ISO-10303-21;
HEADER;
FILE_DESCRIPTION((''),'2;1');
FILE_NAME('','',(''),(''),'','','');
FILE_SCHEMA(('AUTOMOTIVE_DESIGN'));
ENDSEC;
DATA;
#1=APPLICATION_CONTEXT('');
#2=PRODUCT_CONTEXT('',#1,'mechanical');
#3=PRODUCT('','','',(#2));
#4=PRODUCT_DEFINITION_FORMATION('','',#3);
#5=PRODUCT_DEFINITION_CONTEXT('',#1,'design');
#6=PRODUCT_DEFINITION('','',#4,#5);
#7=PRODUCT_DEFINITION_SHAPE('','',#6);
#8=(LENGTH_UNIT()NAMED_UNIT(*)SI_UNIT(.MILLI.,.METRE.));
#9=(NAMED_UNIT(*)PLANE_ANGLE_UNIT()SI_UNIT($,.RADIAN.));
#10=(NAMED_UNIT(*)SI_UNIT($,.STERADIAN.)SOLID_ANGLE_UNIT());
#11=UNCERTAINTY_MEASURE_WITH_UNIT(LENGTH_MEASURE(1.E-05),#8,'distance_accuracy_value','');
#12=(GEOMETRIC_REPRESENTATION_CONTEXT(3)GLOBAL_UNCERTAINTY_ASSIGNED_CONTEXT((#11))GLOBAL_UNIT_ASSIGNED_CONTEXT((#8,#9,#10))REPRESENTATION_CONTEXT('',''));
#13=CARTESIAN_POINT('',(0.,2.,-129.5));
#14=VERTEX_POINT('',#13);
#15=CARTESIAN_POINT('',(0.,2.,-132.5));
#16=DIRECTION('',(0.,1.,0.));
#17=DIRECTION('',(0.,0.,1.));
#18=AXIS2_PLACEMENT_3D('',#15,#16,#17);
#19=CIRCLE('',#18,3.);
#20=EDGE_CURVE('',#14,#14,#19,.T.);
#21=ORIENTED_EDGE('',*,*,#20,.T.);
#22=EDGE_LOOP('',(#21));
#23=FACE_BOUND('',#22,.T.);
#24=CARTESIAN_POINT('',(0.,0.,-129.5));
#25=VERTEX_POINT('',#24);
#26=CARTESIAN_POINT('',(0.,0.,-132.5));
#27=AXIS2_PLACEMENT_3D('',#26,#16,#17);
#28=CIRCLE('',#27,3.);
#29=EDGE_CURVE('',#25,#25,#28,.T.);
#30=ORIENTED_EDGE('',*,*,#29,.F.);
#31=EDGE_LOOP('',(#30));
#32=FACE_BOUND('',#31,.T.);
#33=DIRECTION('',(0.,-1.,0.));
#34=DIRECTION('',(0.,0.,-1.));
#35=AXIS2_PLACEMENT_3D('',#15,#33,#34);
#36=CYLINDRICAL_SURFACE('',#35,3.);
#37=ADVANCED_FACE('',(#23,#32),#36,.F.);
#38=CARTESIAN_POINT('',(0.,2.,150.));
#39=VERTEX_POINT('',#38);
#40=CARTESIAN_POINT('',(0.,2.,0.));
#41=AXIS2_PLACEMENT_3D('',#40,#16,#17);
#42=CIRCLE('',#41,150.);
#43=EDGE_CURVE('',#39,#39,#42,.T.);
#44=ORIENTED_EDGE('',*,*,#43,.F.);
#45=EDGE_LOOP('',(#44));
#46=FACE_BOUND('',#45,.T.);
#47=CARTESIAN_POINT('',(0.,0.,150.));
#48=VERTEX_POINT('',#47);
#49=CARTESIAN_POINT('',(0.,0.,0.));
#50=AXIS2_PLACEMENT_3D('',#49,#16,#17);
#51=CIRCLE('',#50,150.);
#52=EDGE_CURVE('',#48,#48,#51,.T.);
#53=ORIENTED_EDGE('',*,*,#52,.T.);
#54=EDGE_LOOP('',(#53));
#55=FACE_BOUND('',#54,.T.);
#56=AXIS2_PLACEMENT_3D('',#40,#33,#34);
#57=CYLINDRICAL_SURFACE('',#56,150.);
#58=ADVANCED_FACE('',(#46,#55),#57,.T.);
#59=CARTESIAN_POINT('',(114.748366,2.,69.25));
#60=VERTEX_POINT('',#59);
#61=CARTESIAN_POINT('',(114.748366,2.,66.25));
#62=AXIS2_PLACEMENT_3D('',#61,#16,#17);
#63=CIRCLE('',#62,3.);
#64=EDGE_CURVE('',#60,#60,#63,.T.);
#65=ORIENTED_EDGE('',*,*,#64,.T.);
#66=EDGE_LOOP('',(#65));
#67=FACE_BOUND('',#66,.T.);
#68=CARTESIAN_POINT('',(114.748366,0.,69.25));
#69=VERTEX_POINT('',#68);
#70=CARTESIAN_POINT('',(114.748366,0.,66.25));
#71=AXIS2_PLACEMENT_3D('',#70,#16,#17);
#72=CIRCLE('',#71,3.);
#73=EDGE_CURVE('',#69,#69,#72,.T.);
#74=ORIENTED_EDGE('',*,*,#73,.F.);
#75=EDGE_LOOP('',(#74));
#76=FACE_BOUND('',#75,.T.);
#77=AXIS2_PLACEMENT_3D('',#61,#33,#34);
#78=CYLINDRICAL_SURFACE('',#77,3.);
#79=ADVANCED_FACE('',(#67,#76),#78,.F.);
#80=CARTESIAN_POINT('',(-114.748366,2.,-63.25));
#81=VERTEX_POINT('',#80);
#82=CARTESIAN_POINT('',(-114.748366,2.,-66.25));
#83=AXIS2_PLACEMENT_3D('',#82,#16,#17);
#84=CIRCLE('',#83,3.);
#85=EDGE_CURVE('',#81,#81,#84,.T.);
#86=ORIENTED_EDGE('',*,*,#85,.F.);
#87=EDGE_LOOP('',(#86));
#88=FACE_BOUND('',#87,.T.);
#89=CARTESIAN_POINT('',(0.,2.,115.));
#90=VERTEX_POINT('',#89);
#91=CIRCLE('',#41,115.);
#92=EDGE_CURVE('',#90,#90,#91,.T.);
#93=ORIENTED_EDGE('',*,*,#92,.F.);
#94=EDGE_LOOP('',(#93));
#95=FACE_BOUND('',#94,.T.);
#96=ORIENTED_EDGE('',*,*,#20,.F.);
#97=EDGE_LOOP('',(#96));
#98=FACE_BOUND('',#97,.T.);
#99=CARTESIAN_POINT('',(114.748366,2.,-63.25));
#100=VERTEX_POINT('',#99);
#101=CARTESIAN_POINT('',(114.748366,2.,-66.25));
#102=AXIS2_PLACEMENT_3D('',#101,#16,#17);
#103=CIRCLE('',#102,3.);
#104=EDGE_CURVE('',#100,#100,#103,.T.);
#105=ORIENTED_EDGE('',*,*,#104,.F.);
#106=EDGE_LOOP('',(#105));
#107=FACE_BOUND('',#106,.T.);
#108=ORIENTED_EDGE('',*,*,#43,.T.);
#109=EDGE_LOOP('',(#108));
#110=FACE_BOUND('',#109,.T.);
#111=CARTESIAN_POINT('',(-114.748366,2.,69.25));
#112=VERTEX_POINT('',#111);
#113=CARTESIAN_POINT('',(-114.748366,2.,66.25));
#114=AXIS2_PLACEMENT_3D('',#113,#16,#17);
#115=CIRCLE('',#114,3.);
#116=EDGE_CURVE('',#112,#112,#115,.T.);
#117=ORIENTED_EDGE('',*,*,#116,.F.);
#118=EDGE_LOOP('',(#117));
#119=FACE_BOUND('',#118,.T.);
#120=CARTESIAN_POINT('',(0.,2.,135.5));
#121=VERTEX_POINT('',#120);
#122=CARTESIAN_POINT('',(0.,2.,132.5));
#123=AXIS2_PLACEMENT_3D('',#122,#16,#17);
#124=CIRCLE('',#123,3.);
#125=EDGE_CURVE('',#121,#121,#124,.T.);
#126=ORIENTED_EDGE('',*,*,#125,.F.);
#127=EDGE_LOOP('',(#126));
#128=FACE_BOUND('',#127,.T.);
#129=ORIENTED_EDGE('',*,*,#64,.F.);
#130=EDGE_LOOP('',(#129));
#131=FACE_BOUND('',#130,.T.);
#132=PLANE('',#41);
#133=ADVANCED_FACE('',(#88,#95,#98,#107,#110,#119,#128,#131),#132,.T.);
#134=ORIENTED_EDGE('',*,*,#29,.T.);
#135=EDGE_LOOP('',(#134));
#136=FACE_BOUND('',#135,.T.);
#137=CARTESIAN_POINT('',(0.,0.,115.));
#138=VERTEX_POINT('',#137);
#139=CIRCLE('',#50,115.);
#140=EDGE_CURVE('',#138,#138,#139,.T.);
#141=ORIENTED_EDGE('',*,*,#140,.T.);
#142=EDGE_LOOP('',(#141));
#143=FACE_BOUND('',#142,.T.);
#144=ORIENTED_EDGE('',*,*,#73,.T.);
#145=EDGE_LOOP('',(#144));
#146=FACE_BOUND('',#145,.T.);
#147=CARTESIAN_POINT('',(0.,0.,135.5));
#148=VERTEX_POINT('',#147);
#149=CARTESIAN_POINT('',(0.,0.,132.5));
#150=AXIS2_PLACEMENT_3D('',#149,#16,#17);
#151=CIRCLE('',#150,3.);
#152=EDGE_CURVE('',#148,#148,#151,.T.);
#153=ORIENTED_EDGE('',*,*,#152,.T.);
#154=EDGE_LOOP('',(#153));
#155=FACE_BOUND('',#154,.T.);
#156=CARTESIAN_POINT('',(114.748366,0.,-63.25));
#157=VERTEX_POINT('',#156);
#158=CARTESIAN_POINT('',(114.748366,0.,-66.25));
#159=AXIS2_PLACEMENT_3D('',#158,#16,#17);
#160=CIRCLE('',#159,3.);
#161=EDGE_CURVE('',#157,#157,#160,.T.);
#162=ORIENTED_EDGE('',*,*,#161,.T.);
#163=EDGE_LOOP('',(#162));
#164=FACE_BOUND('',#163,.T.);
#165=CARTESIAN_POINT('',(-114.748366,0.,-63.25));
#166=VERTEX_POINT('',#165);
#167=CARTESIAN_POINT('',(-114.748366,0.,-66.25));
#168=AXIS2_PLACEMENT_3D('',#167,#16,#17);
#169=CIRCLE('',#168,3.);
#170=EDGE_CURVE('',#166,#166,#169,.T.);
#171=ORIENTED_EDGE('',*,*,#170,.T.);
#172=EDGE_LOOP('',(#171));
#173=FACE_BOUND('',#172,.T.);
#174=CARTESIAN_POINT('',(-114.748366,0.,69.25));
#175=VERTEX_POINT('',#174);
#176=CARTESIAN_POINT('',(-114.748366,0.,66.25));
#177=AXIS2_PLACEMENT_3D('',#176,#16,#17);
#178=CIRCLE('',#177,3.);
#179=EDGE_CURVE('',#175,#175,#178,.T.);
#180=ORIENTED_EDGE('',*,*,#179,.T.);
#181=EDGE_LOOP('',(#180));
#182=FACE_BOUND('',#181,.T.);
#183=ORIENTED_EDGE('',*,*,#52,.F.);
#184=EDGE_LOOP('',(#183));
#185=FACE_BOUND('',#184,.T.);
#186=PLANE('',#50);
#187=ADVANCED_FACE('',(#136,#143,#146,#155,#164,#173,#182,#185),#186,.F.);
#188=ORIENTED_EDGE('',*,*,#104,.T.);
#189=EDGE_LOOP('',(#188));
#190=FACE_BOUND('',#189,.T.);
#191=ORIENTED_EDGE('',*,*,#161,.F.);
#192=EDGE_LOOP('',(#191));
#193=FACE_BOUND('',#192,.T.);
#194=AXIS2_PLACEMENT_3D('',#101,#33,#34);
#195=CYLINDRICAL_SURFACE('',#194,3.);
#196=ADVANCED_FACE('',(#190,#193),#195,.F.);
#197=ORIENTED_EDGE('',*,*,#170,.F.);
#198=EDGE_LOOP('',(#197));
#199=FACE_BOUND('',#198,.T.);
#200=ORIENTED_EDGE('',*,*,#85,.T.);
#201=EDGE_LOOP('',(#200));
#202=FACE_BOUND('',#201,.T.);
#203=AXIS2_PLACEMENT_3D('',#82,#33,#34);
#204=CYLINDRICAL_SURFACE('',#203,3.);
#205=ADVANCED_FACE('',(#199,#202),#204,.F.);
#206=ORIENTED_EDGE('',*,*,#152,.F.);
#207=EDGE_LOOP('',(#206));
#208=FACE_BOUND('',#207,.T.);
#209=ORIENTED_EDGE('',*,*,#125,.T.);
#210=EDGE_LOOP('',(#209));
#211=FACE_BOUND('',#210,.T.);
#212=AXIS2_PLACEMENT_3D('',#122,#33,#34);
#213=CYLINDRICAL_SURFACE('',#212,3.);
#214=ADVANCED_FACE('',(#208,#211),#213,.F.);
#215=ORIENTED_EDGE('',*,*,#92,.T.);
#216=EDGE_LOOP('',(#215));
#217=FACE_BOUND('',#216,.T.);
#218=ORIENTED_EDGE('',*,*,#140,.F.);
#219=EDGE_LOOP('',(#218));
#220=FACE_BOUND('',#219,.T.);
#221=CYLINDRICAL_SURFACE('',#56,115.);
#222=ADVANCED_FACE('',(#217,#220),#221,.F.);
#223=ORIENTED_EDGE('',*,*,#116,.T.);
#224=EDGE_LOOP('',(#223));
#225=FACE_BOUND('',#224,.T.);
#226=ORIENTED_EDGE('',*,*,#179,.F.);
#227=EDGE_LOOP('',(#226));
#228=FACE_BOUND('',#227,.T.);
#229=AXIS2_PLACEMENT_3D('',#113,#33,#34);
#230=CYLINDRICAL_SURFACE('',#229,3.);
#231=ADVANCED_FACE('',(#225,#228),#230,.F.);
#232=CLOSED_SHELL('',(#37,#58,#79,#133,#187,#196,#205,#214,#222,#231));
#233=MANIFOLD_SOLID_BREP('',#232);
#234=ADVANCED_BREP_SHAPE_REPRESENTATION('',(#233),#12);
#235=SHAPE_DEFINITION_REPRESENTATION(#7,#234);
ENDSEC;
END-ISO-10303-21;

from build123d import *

# Parameters (mm, degrees)
SKETCH1_R           = 150
SKETCH1_R_2         = 115
SKETCH1_R_3         = 3
BOSS_EXTRUDE1_DEPTH = 2


with BuildPart() as part:
    # Sketch1 → Boss-Extrude1 (new body)
    with BuildSketch(Plane(origin=(0, 0, 0), x_dir=(1, 0, 0), z_dir=(0, 1, 0))):
        with Locations(Location((0, 0, 0), (0, 0, 270))):
            Circle(SKETCH1_R)
        with Locations(Location((0, 0, 0), (0, 0, 270))):
            Circle(SKETCH1_R_2, mode=Mode.SUBTRACT)
        with Locations(Location((0, 132.5, 0), (0, 0, 270))):
            Circle(SKETCH1_R_3, mode=Mode.SUBTRACT)
        with Locations(Location((114.748366001, 66.25, 0), (0, 0, 270))):
            Circle(SKETCH1_R_3, mode=Mode.SUBTRACT)
        with Locations(Location((114.748366001, -66.25, 0), (0, 0, 270))):
            Circle(SKETCH1_R_3, mode=Mode.SUBTRACT)
        with Locations(Location((0, -132.5, 0), (0, 0, 270))):
            Circle(SKETCH1_R_3, mode=Mode.SUBTRACT)
        with Locations(Location((-114.748366001, -66.25, 0), (0, 0, 270))):
            Circle(SKETCH1_R_3, mode=Mode.SUBTRACT)
        with Locations(Location((-114.748366001, 66.25, 0), (0, 0, 270))):
            Circle(SKETCH1_R_3, mode=Mode.SUBTRACT)
    extrude(amount=BOSS_EXTRUDE1_DEPTH)


solid = part.part
